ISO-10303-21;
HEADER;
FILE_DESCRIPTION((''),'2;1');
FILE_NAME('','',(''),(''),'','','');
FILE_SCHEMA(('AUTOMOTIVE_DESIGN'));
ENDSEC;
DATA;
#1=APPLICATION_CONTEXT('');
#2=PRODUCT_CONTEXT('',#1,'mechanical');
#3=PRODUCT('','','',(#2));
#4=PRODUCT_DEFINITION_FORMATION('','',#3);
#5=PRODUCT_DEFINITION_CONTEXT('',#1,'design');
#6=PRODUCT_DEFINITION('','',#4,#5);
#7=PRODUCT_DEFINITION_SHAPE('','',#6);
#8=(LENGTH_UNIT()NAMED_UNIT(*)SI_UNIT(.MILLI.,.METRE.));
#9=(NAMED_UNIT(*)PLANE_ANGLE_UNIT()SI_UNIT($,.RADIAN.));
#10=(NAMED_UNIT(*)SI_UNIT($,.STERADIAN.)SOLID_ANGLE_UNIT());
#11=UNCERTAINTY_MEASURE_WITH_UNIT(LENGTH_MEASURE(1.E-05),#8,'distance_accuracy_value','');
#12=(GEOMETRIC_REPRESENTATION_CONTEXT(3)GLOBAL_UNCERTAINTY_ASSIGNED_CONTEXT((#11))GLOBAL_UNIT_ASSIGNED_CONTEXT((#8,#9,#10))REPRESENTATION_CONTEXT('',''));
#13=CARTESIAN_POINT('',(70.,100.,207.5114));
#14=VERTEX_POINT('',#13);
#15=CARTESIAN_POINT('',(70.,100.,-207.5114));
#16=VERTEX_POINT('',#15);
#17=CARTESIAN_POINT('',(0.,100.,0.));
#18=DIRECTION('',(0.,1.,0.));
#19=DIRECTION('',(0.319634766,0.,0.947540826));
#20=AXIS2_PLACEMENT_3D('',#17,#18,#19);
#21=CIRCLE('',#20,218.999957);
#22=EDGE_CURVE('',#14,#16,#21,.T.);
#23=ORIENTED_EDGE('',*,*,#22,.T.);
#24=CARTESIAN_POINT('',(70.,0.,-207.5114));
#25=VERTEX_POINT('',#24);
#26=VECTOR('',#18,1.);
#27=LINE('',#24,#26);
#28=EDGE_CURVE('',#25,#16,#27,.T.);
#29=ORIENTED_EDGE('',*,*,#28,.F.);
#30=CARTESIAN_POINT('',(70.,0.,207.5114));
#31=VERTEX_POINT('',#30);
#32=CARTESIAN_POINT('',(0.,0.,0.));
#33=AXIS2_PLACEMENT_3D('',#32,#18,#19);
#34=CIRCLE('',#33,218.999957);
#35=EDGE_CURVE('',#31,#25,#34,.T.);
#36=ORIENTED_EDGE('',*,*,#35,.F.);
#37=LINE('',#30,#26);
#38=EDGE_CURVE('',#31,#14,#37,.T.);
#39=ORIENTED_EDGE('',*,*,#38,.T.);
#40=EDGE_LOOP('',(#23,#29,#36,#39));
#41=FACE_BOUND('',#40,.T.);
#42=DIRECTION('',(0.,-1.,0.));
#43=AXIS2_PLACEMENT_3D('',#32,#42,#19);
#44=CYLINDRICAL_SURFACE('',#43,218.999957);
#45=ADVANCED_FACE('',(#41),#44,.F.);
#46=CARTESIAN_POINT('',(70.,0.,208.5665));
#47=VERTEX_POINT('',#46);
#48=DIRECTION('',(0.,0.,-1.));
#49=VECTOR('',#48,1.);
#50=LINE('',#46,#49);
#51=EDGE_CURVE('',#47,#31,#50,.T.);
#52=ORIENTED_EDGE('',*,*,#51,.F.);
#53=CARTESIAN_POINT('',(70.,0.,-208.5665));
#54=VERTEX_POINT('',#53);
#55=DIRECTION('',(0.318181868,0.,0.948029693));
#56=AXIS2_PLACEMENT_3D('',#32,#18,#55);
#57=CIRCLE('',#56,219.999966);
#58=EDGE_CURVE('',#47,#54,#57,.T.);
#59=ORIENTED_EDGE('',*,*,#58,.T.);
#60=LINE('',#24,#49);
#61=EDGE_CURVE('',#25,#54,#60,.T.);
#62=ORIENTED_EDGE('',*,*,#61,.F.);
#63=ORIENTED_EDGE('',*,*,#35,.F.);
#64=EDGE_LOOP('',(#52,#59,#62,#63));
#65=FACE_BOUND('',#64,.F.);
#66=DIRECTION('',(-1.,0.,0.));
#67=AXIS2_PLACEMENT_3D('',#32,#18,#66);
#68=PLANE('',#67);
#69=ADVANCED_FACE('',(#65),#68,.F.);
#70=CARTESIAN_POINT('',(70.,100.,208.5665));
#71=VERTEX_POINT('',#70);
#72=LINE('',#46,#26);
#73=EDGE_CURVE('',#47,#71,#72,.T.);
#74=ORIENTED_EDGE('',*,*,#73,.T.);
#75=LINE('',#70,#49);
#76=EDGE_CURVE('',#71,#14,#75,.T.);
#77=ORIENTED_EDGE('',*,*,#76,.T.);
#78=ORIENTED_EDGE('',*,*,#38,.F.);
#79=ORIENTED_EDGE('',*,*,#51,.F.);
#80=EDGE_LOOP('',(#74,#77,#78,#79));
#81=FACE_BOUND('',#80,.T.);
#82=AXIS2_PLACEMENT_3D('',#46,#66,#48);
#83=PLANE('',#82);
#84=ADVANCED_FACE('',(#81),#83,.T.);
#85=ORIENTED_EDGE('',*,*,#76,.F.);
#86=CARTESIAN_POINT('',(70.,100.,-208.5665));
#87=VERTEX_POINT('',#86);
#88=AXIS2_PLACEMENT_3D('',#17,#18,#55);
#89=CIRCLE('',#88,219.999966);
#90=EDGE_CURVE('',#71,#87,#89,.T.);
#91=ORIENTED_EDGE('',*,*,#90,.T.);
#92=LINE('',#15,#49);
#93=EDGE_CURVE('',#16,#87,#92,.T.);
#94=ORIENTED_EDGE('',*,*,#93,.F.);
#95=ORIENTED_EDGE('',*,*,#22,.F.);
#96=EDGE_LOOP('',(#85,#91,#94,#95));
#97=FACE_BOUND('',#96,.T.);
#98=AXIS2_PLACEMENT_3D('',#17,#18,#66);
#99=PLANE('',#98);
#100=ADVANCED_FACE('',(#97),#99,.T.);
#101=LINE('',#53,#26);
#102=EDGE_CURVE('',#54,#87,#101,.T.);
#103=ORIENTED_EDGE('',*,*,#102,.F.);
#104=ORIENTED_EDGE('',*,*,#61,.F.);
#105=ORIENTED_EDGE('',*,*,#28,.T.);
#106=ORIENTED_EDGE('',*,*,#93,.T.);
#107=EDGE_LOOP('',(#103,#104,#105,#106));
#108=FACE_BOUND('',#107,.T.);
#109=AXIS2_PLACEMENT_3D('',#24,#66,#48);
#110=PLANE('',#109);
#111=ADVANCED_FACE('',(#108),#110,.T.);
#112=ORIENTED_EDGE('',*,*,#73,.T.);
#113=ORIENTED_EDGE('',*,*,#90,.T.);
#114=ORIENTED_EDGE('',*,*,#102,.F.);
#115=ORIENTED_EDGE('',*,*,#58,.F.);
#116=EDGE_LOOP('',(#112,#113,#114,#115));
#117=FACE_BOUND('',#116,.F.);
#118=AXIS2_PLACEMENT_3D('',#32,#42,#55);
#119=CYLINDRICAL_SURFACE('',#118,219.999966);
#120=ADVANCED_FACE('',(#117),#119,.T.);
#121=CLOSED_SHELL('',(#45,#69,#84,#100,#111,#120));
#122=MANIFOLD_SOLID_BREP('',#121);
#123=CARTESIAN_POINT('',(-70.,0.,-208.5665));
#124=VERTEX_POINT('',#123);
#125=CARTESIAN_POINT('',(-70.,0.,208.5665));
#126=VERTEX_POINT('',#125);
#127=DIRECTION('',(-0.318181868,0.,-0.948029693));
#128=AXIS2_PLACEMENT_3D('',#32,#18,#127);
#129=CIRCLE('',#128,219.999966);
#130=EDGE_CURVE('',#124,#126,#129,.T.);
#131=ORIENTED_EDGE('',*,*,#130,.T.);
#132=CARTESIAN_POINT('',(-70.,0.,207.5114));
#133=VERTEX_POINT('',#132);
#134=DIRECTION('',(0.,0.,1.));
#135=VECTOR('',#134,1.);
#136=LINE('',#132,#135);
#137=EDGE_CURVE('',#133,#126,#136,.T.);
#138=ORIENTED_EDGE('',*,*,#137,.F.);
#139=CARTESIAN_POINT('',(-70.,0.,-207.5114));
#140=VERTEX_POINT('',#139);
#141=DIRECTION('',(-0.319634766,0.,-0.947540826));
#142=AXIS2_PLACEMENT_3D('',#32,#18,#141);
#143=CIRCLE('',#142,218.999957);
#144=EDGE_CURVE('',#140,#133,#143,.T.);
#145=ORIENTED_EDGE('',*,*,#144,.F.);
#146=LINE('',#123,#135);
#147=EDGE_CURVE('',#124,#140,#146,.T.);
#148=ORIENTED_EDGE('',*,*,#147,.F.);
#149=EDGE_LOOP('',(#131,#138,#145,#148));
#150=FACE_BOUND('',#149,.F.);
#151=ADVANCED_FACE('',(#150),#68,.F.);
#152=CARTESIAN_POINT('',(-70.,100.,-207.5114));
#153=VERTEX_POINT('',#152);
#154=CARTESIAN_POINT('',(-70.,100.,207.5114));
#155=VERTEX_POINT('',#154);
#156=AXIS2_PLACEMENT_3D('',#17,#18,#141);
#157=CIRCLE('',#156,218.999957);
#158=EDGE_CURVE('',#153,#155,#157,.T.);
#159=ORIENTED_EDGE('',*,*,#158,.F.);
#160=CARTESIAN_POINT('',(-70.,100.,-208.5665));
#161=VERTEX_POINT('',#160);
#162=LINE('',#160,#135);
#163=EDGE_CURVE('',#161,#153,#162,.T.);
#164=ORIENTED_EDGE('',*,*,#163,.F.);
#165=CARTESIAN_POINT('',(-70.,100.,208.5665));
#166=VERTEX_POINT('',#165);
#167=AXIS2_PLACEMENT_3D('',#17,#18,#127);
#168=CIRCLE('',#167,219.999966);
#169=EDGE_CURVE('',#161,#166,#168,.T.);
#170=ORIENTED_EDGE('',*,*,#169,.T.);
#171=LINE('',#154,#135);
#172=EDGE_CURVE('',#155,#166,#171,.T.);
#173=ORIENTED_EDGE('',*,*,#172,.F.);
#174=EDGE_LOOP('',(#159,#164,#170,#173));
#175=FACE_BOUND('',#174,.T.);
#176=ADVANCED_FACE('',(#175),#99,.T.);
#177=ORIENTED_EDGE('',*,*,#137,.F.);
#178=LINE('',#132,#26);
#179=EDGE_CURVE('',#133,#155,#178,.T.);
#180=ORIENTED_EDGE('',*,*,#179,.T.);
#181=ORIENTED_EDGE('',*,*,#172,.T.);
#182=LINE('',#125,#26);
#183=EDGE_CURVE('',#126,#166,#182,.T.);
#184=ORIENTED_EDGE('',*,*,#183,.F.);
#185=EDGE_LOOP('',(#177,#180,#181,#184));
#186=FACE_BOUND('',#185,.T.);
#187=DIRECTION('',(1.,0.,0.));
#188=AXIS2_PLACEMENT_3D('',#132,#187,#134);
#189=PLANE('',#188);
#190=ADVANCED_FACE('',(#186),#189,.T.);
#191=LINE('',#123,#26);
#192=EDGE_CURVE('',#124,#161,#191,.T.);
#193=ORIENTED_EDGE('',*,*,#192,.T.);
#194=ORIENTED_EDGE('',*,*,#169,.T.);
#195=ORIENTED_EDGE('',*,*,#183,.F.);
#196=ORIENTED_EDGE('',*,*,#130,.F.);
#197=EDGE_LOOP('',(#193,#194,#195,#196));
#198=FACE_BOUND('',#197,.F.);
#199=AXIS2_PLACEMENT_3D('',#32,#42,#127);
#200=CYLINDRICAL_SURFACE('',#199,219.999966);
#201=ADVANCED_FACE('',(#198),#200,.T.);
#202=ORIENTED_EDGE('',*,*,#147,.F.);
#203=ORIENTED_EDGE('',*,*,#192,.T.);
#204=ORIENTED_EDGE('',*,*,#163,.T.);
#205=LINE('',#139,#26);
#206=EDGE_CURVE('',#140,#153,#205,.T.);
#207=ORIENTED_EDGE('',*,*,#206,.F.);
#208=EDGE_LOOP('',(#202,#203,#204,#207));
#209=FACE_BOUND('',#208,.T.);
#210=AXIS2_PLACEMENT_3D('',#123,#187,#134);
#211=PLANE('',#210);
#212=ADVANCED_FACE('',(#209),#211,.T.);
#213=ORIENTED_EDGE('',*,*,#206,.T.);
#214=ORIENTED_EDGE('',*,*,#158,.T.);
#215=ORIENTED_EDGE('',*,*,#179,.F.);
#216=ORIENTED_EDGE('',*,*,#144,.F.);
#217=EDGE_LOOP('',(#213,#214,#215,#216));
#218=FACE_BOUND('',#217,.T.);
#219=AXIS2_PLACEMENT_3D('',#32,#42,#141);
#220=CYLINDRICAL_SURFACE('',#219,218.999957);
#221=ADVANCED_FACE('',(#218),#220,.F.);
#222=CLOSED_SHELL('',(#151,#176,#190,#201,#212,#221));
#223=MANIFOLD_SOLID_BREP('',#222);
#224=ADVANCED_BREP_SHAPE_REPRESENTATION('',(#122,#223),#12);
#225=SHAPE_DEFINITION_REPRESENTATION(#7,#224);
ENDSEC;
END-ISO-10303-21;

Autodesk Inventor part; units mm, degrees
ref_plane "YZ Plane" through (0, 0, 0) normal (1, 0, 0) x (0, 1, 0)
ref_plane "XZ Plane" through (0, 0, 0) normal (0, 1, 0) x (-1, 0, 0)
ref_plane "XY Plane" through (0, 0, 0) normal (0, 0, 1) x (1, 0, 0)
sketch "Sketch1" plane through (0, 0, 0) normal (0, 1, 0) x (-1, 0, 0)
  line L0 (-70, -252.7863) -> (70, -252.7863)
  arc A0 (-70, 207.5114) -> (-70, -207.5114) centre (0, 0) ccw
  arc A1 (70, -207.5114) -> (70, 207.5114) centre (0, 0) ccw
  arc A2 (-70, 208.5665) -> (-70, -208.5665) centre (0, 0) ccw
  arc A3 (70, -208.5665) -> (70, 208.5665) centre (0, 0) ccw
  line L1 (70, -208.5665) -> (70, -207.5114)
  line L2 (70, 207.5114) -> (70, 208.5665)
  line L3 (-70, 208.5665) -> (-70, 207.5114)
  line L4 (-70, -207.5114) -> (-70, -208.5665)
  dimension "d2" = 140
extrude "Extrusion1" add sketch "Sketch1" along normal blind 100
properties part number "Enclosure"
